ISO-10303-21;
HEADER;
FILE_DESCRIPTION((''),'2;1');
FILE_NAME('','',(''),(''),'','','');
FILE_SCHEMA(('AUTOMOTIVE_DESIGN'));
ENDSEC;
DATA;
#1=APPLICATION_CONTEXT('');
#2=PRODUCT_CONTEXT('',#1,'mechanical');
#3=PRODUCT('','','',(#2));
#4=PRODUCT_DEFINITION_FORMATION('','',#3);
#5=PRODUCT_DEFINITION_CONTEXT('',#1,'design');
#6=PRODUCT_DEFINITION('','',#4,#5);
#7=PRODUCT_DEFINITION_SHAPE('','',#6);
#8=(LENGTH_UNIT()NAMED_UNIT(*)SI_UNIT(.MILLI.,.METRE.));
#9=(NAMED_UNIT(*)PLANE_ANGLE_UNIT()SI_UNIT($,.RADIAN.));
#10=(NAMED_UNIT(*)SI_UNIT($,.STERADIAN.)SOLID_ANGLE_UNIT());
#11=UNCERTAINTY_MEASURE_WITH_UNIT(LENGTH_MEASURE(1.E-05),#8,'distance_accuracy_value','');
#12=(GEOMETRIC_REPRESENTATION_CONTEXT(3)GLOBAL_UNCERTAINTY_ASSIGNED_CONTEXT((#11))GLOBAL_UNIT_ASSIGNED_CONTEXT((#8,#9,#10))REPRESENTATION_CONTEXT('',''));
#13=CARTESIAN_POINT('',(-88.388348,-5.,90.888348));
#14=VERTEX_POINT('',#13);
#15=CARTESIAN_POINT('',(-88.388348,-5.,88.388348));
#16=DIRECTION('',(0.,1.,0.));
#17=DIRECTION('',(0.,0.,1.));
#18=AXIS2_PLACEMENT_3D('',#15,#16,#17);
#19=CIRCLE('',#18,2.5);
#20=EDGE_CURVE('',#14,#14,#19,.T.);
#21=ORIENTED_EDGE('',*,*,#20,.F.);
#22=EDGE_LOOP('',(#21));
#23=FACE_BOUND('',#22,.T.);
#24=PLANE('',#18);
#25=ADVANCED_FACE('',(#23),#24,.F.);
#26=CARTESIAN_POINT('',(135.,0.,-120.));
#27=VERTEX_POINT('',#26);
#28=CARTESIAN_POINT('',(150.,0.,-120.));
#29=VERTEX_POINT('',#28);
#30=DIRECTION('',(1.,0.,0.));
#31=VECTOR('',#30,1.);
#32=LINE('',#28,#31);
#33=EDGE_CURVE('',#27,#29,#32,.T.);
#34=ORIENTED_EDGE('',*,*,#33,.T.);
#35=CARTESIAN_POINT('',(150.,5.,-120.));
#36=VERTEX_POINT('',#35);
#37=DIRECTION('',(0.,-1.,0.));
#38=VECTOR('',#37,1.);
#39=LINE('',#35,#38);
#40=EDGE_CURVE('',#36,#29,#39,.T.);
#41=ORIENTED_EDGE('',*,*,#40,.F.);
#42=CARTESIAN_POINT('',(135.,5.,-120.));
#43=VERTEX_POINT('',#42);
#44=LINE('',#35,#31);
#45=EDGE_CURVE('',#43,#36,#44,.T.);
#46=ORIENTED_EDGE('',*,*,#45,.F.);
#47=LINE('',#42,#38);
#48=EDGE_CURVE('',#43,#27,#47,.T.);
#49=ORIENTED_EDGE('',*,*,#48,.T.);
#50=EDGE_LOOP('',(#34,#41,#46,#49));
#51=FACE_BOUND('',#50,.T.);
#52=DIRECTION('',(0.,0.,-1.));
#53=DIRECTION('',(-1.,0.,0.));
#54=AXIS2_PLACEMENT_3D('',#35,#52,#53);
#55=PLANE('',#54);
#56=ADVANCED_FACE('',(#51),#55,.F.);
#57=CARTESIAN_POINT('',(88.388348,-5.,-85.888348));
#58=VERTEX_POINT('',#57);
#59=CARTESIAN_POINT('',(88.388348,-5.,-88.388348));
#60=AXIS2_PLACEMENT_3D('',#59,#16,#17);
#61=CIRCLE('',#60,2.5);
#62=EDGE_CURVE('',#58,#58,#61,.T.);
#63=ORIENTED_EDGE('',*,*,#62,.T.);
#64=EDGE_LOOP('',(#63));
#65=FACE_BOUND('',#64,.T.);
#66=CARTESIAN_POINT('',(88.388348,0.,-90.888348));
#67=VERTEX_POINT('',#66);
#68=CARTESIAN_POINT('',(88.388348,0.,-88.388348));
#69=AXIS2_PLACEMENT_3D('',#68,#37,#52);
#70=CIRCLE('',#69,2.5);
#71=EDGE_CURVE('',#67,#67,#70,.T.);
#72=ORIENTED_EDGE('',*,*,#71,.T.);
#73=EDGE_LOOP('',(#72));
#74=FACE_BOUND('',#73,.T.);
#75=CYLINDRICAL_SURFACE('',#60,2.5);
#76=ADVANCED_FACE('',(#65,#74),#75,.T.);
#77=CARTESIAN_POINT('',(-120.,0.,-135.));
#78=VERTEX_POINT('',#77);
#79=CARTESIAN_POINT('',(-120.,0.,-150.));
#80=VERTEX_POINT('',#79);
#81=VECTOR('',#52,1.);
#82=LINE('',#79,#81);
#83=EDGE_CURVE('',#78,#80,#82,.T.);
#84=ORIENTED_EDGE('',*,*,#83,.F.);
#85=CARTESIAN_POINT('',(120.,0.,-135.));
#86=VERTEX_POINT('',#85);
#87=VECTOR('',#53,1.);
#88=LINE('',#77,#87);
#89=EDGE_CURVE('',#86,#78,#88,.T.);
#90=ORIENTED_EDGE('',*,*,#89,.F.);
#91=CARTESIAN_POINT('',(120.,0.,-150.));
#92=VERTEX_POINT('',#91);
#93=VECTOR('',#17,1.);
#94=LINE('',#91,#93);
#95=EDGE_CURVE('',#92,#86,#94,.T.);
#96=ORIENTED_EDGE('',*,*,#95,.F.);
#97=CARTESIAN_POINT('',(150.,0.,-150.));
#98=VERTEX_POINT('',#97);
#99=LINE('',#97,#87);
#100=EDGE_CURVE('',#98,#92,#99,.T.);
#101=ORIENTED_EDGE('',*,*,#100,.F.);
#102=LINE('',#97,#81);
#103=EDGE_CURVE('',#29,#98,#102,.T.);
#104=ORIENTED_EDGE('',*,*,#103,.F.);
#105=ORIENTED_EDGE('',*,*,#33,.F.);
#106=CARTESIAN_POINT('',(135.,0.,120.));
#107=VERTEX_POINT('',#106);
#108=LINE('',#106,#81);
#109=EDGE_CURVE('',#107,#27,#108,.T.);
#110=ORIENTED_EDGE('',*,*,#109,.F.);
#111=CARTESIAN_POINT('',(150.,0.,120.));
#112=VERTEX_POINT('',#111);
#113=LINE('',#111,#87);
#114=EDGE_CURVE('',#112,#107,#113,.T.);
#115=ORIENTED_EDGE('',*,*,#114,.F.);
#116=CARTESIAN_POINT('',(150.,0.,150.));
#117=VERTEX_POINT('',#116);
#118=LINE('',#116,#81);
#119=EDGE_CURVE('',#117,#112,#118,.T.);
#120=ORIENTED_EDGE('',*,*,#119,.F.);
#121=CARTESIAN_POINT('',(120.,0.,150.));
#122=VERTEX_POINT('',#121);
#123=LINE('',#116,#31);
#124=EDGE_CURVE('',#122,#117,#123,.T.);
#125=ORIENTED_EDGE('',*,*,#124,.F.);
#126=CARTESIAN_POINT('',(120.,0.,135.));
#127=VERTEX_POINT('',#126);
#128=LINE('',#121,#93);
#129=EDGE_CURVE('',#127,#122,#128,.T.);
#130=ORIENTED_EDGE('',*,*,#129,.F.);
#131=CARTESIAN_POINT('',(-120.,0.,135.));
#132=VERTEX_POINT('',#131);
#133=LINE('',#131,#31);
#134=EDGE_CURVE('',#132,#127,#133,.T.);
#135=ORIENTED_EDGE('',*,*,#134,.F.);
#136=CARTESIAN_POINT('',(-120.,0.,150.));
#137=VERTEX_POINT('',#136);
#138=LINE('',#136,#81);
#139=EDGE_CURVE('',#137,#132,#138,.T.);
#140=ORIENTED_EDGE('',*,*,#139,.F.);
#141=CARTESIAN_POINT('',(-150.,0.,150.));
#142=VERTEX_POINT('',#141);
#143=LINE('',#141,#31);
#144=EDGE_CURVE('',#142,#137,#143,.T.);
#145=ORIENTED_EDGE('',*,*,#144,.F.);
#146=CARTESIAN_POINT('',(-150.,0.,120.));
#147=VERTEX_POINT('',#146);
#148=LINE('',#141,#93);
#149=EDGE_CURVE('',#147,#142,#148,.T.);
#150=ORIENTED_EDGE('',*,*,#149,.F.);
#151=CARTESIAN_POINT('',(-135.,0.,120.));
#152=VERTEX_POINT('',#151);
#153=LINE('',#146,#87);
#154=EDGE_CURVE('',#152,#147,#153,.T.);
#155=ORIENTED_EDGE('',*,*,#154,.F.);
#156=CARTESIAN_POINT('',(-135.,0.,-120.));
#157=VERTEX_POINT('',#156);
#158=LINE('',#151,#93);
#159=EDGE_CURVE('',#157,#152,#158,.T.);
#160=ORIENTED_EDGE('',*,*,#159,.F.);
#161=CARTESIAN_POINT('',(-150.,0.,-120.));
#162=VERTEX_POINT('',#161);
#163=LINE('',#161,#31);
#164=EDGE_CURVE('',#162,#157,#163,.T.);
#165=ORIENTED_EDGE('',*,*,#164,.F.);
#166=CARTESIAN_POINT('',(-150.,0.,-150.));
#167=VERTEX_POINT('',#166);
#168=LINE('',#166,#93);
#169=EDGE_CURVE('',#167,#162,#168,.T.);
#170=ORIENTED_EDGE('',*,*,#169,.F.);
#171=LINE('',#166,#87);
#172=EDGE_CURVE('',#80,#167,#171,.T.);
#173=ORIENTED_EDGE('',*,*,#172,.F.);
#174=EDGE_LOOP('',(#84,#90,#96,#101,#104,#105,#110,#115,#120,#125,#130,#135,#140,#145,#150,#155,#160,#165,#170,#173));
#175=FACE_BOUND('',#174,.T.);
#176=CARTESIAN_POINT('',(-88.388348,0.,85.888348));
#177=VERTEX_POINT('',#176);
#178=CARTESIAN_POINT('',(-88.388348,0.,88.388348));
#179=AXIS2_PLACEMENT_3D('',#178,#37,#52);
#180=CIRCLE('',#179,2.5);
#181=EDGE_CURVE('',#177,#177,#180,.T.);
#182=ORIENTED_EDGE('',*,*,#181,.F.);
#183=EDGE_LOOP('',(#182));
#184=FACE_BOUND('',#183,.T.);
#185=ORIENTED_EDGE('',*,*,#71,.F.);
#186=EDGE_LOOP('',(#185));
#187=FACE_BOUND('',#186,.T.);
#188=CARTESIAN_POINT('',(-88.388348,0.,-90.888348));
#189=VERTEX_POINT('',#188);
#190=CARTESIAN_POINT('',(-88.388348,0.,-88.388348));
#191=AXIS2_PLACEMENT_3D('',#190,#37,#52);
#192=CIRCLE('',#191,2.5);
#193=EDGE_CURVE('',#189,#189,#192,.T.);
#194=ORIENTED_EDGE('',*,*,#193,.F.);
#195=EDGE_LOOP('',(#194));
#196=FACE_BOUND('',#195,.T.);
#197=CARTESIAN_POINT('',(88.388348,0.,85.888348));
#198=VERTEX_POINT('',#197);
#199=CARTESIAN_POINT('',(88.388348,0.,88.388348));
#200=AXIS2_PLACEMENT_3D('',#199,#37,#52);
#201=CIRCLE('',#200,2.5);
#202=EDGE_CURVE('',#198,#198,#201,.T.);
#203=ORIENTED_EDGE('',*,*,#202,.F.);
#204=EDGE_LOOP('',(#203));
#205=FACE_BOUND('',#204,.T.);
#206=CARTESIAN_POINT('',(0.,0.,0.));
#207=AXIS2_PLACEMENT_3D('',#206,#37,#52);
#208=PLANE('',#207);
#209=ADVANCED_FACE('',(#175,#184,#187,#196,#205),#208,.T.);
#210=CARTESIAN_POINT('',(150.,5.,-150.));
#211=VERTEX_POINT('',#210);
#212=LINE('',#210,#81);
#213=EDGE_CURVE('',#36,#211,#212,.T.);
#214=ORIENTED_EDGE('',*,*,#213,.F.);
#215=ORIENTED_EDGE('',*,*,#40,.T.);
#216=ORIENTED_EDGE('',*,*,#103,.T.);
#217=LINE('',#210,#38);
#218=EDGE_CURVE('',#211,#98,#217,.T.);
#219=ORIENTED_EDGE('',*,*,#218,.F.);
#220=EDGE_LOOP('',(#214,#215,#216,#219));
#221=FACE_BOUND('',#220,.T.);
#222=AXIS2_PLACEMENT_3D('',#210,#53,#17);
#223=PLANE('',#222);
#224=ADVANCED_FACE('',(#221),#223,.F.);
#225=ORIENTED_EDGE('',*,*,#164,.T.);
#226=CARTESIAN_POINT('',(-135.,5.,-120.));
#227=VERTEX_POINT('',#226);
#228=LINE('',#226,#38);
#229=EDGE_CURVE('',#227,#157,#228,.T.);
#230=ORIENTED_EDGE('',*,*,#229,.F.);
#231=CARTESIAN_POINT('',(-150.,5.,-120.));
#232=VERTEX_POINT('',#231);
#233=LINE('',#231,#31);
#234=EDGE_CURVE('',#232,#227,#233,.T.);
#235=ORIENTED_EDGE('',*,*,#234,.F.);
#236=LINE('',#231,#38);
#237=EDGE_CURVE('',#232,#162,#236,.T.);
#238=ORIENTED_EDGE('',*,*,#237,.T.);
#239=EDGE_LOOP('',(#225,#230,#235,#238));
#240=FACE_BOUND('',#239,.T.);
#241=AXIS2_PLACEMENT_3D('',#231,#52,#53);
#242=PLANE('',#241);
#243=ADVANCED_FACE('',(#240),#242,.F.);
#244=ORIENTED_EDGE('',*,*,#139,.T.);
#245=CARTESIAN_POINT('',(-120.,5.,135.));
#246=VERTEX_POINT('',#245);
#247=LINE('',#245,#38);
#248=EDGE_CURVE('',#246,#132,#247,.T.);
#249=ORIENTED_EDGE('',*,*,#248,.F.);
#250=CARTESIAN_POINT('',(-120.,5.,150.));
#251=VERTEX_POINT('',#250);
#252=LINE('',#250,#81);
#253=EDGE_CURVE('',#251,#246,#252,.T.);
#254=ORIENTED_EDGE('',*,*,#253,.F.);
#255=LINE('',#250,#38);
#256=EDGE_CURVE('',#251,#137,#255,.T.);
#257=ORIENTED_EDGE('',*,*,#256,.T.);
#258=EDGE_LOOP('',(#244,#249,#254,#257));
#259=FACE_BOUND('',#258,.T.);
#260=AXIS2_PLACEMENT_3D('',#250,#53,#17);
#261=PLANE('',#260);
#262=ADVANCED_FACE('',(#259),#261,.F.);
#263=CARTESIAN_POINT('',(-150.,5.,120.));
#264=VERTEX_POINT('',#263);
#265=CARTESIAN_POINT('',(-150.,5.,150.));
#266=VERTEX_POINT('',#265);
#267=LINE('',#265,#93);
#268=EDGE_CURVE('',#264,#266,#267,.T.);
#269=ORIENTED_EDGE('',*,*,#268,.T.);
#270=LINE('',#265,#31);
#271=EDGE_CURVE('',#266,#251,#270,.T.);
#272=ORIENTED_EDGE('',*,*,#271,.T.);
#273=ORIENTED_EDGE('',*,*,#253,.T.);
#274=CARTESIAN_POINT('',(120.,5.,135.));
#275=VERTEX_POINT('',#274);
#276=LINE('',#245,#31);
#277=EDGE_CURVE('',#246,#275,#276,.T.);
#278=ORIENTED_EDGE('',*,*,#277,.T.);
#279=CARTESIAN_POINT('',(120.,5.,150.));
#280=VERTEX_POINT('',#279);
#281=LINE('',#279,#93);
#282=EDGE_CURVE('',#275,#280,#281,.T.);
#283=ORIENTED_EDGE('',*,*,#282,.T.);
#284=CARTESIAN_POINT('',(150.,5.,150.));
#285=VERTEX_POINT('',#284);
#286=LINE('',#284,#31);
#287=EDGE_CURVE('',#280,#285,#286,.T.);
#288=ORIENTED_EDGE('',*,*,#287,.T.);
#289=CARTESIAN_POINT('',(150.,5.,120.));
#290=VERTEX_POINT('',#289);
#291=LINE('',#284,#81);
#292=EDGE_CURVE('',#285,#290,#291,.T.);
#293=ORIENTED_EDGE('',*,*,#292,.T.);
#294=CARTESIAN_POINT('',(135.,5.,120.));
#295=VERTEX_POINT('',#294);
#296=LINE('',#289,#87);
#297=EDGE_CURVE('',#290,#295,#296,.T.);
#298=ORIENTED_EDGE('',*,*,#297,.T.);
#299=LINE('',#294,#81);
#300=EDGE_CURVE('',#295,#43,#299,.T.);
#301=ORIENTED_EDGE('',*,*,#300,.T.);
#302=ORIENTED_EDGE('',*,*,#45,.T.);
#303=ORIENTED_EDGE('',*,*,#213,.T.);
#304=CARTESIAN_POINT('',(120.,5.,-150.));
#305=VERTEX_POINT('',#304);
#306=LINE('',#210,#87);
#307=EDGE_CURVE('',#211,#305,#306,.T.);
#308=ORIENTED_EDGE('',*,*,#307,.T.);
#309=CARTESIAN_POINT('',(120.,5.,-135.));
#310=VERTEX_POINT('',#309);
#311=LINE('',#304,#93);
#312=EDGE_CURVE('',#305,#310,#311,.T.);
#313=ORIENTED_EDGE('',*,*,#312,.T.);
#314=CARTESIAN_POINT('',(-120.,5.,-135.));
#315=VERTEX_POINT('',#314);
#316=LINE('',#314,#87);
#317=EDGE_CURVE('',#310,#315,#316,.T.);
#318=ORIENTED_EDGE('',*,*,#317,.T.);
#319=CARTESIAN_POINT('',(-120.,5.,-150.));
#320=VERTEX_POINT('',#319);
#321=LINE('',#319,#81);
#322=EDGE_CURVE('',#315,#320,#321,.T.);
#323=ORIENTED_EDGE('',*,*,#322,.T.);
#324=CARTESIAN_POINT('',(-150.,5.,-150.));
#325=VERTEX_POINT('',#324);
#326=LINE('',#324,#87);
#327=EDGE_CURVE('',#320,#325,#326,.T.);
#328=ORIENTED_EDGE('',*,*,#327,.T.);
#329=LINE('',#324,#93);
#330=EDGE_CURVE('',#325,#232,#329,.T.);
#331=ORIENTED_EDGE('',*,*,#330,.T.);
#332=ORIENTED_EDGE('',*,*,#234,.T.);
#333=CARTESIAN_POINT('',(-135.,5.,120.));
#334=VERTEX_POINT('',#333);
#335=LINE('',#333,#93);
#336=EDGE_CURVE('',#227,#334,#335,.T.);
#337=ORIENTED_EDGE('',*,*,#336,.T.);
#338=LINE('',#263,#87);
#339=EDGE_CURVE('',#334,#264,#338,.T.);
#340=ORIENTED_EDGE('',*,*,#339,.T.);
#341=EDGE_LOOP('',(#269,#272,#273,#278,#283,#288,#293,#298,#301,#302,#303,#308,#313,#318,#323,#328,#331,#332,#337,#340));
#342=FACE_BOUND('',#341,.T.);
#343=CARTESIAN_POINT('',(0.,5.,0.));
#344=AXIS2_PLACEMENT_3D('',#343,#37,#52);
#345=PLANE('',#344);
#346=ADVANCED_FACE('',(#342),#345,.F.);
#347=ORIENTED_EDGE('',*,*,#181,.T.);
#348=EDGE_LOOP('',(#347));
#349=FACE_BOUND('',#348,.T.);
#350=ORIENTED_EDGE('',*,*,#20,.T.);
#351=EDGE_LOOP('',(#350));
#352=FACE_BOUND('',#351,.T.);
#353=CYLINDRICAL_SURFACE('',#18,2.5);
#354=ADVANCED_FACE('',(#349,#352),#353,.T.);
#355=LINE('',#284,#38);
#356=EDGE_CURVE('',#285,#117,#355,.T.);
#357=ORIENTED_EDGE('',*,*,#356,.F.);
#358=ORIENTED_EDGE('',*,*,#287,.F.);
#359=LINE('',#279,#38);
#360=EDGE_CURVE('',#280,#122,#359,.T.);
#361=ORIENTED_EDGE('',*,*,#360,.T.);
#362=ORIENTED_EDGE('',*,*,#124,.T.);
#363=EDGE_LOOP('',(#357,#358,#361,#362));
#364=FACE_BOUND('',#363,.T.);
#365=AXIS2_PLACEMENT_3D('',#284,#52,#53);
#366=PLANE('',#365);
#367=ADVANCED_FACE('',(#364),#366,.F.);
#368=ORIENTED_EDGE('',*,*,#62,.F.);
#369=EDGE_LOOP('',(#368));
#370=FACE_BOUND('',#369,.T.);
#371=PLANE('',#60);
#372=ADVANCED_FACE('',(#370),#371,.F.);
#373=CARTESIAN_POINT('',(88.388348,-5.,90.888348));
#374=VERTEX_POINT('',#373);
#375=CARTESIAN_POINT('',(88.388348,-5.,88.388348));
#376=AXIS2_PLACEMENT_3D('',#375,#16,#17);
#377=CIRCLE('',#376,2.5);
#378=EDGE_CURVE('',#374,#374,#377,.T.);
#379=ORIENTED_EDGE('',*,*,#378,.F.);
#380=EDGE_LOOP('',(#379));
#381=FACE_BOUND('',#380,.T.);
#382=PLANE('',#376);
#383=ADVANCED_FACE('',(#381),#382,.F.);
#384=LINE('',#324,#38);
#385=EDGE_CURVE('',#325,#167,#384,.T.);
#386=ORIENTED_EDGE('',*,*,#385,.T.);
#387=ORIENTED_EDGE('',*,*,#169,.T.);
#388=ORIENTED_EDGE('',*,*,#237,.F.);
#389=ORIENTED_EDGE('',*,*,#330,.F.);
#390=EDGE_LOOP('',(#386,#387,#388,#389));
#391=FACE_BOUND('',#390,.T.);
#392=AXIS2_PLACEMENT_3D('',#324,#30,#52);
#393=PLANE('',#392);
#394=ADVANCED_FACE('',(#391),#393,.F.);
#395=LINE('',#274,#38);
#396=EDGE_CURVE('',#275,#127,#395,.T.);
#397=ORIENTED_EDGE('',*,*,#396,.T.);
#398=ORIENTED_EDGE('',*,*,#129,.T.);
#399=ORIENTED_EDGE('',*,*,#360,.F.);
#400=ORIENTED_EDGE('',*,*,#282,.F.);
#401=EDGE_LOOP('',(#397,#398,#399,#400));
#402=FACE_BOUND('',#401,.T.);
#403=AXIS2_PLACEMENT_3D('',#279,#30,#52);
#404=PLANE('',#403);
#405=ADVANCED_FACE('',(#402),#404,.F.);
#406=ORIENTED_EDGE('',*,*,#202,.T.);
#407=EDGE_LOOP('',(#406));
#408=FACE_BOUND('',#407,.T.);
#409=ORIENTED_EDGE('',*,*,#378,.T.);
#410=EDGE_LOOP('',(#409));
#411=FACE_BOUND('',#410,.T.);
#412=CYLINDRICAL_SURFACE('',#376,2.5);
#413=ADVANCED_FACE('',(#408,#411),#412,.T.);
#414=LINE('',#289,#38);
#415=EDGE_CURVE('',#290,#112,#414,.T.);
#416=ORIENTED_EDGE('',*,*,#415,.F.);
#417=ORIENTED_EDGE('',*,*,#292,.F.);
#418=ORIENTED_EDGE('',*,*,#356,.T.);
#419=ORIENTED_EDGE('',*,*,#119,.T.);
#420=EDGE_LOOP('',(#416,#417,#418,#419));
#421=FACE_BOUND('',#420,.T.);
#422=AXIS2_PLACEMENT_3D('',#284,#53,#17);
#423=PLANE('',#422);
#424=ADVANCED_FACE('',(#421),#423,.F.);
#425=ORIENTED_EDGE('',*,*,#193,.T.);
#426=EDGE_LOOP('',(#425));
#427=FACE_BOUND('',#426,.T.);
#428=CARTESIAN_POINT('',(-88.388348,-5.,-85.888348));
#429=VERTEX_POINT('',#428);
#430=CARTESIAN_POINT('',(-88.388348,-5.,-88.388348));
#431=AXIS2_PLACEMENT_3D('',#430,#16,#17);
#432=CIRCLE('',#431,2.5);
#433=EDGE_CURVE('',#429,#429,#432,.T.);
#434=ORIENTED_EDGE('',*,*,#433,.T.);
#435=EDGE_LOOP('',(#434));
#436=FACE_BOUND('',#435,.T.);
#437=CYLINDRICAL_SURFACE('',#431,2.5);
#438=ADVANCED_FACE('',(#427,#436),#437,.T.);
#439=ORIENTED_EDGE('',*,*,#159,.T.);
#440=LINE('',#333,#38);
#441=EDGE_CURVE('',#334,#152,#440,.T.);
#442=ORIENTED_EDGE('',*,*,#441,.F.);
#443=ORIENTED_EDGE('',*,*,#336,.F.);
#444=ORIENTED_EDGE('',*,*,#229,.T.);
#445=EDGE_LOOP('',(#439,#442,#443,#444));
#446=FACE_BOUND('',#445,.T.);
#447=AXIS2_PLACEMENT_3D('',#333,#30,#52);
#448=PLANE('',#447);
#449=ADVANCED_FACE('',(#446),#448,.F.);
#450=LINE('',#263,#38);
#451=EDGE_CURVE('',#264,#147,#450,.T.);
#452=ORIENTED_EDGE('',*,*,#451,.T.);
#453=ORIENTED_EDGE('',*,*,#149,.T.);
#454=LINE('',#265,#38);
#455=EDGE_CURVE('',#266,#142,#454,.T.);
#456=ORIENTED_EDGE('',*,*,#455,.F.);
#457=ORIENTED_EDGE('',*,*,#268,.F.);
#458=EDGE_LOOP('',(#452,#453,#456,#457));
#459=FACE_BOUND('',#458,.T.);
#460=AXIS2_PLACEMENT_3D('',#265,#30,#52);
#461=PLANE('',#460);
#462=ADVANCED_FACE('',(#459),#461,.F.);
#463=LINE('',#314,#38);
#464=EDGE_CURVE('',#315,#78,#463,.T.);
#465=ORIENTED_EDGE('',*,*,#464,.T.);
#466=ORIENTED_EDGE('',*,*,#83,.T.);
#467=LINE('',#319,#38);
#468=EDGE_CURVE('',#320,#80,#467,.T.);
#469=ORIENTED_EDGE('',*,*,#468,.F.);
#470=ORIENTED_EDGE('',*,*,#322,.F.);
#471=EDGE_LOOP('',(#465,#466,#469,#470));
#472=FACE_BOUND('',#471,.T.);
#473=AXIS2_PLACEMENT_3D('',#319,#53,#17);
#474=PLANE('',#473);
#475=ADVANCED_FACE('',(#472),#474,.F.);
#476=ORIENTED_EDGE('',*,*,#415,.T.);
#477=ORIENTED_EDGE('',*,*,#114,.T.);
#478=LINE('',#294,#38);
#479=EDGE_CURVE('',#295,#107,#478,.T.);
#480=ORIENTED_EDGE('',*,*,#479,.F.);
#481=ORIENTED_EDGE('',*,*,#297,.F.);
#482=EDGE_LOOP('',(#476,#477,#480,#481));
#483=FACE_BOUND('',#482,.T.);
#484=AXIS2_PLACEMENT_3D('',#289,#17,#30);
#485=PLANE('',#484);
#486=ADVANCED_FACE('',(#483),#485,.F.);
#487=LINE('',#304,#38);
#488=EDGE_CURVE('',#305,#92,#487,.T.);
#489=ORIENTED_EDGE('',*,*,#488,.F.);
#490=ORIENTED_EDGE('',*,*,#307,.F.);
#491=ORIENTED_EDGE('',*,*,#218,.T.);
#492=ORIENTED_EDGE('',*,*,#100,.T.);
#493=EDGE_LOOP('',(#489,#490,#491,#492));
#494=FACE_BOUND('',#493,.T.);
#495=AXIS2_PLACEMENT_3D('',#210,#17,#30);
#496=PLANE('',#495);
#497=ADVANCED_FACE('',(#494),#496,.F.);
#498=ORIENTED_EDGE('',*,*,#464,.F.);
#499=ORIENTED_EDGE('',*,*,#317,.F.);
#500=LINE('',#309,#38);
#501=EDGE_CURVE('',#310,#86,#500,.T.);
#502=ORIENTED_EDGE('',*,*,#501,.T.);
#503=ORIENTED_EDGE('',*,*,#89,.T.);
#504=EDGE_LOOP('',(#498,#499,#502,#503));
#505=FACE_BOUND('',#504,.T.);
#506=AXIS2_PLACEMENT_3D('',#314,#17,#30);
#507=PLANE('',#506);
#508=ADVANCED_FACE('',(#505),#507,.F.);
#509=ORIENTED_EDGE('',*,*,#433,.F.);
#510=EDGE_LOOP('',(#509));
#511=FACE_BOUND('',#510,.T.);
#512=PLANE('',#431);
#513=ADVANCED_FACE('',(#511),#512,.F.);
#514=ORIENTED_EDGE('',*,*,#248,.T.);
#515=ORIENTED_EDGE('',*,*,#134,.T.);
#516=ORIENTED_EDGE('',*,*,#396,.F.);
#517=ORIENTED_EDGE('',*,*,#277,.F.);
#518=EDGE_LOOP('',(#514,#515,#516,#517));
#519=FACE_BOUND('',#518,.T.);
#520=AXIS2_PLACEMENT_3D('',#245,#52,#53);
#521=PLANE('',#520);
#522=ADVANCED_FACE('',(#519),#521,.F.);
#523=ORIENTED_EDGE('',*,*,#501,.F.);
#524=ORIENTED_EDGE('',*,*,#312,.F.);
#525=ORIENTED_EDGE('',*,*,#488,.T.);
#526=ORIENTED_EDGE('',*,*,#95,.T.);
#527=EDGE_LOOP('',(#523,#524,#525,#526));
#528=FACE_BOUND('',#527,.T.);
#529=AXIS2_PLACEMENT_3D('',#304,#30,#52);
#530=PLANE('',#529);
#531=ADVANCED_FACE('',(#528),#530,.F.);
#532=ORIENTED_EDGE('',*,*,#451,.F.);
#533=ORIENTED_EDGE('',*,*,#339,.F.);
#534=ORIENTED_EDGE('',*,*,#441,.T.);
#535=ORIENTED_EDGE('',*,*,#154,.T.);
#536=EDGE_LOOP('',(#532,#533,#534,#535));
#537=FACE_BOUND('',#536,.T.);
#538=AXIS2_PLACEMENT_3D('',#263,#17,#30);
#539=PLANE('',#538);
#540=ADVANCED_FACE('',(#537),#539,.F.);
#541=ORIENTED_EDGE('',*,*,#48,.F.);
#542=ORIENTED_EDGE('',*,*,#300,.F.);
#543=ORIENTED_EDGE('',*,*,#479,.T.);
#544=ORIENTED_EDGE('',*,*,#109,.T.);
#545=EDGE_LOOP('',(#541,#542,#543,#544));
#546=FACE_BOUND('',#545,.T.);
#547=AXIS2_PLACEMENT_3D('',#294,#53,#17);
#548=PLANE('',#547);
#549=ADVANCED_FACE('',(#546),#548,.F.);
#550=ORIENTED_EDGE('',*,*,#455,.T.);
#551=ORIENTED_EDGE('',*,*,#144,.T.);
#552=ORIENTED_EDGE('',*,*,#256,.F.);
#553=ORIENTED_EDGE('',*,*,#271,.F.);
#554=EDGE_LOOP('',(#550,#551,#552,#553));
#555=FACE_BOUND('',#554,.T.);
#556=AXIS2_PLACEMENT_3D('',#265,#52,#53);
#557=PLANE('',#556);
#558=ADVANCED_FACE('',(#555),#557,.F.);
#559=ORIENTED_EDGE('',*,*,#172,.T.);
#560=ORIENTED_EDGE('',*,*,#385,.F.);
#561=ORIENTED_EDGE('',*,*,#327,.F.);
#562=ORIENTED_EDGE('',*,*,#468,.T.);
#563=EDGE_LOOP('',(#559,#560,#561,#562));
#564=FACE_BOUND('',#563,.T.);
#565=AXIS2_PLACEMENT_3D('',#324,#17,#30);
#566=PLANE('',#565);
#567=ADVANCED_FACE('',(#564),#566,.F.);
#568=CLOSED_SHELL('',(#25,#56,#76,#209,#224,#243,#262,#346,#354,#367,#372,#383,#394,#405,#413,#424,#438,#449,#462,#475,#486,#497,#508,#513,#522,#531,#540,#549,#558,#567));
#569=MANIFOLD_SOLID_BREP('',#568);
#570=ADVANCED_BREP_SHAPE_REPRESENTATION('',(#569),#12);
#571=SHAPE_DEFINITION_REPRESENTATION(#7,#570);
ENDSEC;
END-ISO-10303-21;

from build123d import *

# Parameters (mm, degrees)
EXTRUDE_1_DEPTH = 5
SKETCH_3_R      = 2.5
EXTRUDE_2_DEPTH = 5


with BuildPart() as part:
    # 草图2 → 凸台-拉伸1 (new body)
    with BuildSketch(Plane(origin=(0, 0, 0), x_dir=(1, 0, 0), z_dir=(0, 1, 0))):
        Polygon((-120, -150), (-120, -135), (120, -135), (120, -150), (150, -150), (150, -120), (135, -120), (135, 120), (150, 120), (150, 150), (120, 150), (120, 135), (-120, 135), (-120, 150), (-150, 150), (-150, 120), (-135, 120), (-135, -120), (-150, -120), (-150, -150), align=None)
    extrude(amount=EXTRUDE_1_DEPTH)

    # 草图3 → 凸台-拉伸2 (add)
    with BuildSketch(Plane(origin=(0, 0, 0), x_dir=(1, 0, 0), z_dir=(0, 1, 0))):
        with Locations(Location((-88.388347648, 88.388347648, 0), (0, 0, 270))):
            Circle(SKETCH_3_R)
        with Locations(Location((88.388347648, 88.388347648, 0), (0, 0, 270))):
            Circle(SKETCH_3_R)
        with Locations(Location((-88.388347648, -88.388347648, 0), (0, 0, 270))):
            Circle(SKETCH_3_R)
        with Locations(Location((88.388347648, -88.388347648, 0), (0, 0, 270))):
            Circle(SKETCH_3_R)
    extrude(amount=-EXTRUDE_2_DEPTH)


solid = part.part
